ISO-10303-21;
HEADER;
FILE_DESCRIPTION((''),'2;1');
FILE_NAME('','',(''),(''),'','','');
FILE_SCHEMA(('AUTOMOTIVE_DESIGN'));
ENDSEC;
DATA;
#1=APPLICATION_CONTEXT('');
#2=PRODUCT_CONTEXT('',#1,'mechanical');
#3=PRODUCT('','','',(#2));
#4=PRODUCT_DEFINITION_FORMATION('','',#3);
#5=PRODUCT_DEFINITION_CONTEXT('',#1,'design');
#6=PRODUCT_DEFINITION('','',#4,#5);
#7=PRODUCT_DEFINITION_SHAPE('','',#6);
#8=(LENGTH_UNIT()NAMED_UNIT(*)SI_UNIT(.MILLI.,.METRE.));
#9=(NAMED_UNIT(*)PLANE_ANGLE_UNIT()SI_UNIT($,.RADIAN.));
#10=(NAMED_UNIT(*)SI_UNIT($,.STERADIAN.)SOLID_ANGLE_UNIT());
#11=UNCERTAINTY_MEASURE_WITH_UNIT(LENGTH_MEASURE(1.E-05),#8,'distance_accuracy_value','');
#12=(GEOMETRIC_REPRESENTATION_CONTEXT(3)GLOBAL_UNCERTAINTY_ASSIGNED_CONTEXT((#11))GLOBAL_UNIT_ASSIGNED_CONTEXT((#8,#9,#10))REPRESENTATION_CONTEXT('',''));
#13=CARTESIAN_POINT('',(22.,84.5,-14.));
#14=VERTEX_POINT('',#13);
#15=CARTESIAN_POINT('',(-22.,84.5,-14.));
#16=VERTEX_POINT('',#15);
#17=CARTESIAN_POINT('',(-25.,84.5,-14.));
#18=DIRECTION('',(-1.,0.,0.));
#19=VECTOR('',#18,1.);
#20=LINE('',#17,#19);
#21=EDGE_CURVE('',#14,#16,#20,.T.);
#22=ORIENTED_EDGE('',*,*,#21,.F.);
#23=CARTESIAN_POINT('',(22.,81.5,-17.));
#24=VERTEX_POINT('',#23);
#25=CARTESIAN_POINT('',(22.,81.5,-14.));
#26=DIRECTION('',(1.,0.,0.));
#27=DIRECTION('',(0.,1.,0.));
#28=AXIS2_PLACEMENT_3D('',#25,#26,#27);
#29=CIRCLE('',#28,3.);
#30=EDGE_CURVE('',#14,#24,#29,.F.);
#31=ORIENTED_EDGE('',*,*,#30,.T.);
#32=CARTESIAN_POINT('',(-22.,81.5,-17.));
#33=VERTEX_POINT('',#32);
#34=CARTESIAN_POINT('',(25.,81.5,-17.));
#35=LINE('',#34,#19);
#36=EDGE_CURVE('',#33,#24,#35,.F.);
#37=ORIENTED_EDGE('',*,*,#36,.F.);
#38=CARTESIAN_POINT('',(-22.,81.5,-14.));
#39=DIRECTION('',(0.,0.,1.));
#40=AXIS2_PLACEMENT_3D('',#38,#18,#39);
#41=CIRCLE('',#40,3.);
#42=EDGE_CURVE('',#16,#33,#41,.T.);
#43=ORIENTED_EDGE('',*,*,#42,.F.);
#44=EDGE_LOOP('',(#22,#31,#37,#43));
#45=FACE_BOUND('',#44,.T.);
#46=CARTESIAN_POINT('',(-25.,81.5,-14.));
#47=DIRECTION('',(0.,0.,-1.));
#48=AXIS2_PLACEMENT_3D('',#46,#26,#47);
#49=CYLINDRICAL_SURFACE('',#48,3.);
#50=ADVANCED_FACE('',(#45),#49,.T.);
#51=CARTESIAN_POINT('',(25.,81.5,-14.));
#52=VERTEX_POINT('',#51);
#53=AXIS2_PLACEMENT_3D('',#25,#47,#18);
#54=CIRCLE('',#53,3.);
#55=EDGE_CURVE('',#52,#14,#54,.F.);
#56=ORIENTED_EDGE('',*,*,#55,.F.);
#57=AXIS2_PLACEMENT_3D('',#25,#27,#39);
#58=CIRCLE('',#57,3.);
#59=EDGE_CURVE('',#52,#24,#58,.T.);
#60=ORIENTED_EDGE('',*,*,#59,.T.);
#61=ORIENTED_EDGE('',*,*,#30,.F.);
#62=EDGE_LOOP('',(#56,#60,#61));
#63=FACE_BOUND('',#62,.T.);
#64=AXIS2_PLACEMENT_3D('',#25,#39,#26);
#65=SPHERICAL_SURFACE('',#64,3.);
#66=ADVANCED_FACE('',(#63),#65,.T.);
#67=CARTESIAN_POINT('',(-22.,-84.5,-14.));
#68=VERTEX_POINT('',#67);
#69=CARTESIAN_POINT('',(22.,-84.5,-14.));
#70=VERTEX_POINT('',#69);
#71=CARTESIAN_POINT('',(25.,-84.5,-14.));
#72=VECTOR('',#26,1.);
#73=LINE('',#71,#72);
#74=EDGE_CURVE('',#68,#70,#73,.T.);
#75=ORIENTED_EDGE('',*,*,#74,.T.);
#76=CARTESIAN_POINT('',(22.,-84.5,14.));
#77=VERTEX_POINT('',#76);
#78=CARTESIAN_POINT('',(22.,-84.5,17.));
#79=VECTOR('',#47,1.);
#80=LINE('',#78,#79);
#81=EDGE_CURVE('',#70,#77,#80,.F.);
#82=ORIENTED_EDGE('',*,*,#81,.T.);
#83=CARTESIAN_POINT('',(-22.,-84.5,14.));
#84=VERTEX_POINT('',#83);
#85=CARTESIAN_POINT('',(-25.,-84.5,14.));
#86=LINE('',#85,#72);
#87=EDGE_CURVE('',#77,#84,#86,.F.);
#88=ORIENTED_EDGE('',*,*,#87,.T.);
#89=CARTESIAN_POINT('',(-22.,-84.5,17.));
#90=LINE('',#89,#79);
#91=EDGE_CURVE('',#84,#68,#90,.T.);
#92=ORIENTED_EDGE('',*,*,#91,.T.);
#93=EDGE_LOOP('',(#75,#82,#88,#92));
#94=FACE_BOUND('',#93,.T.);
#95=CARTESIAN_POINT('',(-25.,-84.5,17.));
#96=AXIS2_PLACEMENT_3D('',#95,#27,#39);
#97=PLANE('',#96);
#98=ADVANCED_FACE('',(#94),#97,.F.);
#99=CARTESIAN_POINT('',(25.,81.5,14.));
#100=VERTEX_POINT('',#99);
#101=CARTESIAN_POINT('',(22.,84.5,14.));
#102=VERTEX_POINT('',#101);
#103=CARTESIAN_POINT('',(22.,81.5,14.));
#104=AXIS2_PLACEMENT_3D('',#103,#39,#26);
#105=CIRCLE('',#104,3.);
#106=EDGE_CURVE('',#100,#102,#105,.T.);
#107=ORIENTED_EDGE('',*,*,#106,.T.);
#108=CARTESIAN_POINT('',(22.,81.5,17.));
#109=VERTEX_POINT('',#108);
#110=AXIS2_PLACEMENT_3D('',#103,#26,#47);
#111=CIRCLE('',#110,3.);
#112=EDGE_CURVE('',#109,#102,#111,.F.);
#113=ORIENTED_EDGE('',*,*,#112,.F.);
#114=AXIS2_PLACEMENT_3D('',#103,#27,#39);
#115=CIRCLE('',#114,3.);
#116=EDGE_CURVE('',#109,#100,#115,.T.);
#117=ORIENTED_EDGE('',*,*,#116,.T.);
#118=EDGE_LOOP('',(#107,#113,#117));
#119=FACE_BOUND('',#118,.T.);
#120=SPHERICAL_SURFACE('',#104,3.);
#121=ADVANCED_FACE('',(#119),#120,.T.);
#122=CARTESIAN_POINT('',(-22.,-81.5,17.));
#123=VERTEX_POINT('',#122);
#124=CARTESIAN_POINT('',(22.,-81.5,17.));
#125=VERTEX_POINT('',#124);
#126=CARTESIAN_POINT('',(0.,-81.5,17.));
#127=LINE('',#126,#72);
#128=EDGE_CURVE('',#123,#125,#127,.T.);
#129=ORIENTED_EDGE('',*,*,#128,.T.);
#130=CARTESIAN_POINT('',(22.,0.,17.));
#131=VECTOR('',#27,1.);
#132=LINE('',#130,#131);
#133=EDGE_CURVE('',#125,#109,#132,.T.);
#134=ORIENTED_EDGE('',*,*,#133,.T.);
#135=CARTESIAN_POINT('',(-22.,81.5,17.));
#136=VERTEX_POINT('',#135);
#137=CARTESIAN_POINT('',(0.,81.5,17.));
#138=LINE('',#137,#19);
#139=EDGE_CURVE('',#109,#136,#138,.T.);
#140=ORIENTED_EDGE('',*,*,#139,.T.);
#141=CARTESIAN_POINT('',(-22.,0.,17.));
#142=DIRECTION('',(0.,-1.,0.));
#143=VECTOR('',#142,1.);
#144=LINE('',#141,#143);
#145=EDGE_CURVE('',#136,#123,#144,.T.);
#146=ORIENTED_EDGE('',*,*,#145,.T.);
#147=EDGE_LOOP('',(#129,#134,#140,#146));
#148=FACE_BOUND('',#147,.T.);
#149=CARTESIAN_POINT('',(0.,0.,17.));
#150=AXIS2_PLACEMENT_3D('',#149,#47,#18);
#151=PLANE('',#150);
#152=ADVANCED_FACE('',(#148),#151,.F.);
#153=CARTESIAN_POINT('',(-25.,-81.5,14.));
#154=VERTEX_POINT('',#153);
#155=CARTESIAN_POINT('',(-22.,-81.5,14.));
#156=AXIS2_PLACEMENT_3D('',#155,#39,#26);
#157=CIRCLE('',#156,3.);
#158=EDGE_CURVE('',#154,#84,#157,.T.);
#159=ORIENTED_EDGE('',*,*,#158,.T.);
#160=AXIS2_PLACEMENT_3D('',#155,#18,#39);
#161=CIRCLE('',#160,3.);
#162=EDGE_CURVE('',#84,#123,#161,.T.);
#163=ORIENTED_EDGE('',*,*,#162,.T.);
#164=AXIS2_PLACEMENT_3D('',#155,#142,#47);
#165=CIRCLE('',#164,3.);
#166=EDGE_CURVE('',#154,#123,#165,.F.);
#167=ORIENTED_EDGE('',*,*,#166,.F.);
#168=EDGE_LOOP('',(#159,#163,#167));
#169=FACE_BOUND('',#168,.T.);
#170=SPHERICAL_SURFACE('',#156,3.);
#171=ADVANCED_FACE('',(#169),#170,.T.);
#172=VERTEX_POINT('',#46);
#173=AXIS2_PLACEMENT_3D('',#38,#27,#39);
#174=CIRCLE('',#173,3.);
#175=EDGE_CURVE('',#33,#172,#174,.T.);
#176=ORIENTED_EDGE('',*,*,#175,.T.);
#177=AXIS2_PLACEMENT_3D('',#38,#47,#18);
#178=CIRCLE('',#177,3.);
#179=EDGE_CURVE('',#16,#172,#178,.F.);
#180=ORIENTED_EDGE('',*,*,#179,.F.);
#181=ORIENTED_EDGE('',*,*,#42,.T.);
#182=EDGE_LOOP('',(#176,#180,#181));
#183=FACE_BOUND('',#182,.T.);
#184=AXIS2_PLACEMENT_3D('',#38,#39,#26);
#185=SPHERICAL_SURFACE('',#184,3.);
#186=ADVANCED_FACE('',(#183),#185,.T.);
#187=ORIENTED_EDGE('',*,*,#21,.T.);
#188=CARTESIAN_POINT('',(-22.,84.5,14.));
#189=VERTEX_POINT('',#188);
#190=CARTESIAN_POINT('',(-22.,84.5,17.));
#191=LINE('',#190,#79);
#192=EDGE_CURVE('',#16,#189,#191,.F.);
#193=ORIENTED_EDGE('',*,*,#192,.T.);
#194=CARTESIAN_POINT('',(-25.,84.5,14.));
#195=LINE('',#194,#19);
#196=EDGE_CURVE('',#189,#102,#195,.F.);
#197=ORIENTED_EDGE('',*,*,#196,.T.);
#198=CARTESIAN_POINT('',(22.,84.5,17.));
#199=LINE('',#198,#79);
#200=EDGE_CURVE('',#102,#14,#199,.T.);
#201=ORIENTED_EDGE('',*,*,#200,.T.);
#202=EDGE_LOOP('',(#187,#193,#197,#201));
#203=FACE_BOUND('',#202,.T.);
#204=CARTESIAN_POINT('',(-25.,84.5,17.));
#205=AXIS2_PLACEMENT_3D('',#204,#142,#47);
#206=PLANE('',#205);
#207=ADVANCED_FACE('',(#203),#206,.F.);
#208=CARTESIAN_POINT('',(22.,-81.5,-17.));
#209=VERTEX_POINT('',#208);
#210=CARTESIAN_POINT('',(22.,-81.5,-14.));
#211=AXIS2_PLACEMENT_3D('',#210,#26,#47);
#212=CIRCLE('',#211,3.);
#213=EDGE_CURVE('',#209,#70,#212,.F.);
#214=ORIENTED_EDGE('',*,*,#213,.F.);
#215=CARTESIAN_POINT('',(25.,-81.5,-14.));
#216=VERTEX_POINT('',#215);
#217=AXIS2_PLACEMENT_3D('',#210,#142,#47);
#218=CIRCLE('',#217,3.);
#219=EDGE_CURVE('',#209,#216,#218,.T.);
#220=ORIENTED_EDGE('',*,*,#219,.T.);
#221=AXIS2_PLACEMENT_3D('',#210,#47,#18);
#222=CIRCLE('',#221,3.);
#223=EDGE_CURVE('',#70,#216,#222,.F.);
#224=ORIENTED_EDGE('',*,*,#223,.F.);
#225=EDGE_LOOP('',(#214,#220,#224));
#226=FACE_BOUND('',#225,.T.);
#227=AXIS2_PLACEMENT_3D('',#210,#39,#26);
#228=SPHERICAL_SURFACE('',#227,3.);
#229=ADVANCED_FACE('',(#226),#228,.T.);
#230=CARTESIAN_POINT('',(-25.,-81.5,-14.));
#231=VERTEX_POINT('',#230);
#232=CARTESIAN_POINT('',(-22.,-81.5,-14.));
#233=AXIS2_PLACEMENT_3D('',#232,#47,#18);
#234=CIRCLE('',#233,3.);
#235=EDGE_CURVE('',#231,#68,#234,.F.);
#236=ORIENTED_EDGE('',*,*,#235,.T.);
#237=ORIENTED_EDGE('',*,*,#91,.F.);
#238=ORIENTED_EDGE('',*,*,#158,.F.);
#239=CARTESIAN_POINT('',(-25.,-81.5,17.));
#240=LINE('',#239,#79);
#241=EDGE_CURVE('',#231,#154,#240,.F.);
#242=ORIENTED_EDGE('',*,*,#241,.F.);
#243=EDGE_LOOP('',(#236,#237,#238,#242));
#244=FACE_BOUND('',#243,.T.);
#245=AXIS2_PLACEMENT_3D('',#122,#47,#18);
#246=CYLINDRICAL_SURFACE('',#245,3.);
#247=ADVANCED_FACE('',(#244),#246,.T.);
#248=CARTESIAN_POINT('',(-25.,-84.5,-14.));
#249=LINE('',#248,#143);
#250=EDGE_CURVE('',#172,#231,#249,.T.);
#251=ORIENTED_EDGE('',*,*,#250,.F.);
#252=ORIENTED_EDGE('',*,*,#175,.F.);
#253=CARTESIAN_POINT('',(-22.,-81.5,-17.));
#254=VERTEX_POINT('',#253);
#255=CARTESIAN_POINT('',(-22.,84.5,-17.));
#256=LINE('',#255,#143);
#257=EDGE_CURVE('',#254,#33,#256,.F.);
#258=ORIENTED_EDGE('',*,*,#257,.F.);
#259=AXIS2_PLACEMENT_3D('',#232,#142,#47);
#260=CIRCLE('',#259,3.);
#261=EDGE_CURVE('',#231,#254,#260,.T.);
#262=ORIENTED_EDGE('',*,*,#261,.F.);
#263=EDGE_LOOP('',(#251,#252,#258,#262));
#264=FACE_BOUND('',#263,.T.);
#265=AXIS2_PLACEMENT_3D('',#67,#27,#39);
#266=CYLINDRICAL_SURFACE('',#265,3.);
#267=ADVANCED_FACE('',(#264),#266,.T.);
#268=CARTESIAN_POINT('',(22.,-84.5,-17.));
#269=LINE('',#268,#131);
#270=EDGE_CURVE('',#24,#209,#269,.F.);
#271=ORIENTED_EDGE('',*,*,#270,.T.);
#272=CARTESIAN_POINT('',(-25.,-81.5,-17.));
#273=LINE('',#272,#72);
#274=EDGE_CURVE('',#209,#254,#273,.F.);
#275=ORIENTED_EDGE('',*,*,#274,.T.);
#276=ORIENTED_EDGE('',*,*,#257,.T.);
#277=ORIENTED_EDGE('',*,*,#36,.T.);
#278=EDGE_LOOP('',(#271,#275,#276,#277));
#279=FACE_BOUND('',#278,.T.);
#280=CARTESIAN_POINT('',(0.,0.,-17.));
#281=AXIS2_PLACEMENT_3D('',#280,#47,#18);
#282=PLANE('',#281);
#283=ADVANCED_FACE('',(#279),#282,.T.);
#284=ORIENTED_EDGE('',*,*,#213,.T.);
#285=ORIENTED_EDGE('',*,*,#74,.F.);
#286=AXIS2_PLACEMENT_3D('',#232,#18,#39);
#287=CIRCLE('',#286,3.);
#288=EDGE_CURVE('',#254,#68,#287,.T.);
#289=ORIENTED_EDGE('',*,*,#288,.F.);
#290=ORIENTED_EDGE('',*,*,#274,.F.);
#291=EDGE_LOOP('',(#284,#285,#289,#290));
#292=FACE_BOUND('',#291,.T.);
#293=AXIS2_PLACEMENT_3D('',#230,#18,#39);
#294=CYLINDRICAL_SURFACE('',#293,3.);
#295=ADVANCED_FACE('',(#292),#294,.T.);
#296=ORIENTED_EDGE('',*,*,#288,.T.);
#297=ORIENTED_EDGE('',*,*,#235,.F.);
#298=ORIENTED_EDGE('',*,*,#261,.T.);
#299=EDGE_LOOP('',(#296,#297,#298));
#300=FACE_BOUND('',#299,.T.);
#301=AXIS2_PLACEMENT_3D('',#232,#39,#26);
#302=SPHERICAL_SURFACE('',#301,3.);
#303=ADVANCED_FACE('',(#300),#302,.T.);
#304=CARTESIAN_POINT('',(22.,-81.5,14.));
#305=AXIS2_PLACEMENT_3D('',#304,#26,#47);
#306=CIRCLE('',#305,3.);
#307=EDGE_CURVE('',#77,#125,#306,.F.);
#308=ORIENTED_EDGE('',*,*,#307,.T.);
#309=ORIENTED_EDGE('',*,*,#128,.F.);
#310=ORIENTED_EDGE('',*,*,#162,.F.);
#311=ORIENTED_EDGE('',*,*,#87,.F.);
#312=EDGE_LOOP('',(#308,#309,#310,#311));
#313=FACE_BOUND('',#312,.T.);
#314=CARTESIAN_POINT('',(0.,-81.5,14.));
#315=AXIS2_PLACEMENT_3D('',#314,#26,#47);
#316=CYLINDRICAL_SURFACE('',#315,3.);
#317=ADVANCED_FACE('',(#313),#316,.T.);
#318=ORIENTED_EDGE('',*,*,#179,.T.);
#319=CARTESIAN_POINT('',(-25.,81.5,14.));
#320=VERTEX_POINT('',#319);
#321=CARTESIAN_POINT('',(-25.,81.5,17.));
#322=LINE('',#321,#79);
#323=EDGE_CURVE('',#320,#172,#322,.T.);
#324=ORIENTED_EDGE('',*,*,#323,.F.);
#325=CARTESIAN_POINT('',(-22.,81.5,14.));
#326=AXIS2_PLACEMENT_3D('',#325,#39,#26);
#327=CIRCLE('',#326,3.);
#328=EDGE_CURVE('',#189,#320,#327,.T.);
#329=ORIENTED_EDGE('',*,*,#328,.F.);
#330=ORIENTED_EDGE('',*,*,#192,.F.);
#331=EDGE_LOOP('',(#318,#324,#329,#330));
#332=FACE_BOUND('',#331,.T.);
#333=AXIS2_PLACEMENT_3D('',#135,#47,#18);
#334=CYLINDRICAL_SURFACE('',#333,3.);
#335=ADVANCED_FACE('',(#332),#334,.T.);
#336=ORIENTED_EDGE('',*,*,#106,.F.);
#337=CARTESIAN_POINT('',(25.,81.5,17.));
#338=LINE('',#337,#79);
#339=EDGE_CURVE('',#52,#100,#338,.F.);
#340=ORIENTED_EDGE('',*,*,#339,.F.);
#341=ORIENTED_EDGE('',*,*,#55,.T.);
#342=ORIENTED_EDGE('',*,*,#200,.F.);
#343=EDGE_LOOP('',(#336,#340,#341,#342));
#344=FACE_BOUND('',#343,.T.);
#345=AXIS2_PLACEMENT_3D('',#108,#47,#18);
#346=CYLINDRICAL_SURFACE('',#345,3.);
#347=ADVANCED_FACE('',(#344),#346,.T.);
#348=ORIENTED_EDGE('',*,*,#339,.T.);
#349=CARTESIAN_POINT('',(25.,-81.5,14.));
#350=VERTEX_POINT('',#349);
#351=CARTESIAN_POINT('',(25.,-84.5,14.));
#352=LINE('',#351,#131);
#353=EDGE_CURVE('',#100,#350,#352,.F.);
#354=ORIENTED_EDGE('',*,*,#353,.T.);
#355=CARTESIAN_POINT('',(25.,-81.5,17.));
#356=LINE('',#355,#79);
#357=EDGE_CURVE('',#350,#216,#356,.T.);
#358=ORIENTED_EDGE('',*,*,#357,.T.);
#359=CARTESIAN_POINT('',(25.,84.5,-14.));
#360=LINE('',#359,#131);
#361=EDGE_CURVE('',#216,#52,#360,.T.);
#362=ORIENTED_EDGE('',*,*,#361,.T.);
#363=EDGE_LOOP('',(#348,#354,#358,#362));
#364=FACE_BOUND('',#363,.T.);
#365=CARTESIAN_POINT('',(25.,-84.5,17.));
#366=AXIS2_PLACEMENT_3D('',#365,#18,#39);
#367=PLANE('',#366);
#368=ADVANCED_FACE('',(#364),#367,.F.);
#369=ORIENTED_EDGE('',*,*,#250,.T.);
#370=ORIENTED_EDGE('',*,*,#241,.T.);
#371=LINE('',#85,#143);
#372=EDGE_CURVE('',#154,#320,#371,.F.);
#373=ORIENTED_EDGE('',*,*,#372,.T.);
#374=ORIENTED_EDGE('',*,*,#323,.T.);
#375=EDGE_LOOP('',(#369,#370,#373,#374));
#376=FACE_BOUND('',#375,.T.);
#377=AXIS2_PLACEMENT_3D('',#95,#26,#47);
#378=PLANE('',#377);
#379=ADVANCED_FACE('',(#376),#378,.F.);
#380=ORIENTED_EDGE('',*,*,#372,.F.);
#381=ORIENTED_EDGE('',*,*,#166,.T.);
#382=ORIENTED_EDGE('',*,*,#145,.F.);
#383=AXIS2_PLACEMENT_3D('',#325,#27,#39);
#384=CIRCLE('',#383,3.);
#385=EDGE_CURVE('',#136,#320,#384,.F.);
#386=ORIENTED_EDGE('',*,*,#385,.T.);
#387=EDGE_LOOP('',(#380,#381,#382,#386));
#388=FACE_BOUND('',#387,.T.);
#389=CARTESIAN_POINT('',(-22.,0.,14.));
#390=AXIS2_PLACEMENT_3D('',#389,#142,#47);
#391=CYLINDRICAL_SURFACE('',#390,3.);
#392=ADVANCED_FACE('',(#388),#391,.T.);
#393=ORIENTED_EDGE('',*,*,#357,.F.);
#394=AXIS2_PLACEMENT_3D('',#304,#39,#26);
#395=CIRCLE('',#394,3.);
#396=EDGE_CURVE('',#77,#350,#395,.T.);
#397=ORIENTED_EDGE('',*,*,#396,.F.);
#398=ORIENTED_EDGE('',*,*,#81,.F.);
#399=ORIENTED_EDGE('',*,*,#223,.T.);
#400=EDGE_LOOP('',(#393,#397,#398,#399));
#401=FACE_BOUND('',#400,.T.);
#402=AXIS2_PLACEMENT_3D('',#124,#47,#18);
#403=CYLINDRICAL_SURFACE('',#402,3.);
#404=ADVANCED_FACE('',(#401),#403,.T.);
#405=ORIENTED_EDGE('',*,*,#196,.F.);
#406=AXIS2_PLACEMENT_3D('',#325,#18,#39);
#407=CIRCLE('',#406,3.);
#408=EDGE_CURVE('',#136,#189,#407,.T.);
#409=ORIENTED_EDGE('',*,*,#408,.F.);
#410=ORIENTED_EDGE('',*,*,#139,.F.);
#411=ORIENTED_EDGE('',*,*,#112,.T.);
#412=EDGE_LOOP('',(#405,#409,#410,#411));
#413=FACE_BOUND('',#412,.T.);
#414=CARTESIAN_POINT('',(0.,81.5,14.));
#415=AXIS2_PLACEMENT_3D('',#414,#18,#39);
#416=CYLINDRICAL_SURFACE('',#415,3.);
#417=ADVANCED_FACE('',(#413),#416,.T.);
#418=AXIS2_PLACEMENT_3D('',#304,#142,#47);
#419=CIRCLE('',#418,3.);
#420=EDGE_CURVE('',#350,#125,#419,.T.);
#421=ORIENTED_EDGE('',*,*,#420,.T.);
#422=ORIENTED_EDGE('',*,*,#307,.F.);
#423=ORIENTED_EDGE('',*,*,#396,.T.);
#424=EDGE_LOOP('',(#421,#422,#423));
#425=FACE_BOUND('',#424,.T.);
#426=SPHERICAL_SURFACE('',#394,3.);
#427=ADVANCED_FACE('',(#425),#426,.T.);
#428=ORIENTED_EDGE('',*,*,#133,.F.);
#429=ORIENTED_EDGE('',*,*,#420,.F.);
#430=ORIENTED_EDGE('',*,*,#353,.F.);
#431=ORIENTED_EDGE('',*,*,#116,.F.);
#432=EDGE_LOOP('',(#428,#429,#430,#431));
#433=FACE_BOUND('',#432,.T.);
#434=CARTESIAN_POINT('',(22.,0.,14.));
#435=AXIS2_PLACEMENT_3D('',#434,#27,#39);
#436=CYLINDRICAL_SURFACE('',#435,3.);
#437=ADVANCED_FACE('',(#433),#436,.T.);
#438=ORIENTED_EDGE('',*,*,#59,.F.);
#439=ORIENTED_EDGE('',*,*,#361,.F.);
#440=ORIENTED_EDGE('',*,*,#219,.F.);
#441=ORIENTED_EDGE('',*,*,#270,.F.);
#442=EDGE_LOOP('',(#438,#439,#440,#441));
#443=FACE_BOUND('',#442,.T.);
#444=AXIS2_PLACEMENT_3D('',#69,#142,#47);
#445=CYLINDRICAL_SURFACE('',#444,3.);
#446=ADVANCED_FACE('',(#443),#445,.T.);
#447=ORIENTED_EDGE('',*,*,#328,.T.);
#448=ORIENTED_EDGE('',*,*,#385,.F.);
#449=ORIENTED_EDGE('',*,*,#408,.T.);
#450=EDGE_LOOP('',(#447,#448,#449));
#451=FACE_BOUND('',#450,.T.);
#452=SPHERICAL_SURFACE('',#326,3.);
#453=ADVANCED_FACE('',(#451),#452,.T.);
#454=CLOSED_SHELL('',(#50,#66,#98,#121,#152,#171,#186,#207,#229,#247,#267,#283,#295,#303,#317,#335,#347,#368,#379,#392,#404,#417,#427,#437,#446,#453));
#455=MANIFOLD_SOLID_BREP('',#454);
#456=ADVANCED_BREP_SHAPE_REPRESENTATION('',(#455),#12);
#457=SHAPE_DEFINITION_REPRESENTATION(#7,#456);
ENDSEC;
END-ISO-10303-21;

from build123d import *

# Parameters (mm, degrees)
SKETCH1_W           = 50
SKETCH1_H           = 169
BOSS_EXTRUDE1_DEPTH = 17
FILLET1_R           = 3


with BuildPart() as part:
    # Sketch1 → Boss-Extrude1 (new, symmetric)
    with BuildSketch(Plane.XY):
        Rectangle(SKETCH1_W, SKETCH1_H)
    extrude(amount=BOSS_EXTRUDE1_DEPTH, both=True)

    # Fillet1
    fillet1_edges = [part.edges().sort_by_distance(p)[0] for p in [
        (-25, 0, 17),
        (0, -84.5, 17),
        (25, 0, 17),
        (0, -84.5, -17),
        (-25, 0, -17),
        (0, 84.5, -17),
        (25, 0, -17),
        (0, 84.5, 17),
        (25, -84.5, 0),
        (-25, -84.5, 0),
        (-25, 84.5, 0),
        (25, 84.5, 0),
    ]]
    fillet(fillet1_edges, radius=FILLET1_R)


solid = part.part
